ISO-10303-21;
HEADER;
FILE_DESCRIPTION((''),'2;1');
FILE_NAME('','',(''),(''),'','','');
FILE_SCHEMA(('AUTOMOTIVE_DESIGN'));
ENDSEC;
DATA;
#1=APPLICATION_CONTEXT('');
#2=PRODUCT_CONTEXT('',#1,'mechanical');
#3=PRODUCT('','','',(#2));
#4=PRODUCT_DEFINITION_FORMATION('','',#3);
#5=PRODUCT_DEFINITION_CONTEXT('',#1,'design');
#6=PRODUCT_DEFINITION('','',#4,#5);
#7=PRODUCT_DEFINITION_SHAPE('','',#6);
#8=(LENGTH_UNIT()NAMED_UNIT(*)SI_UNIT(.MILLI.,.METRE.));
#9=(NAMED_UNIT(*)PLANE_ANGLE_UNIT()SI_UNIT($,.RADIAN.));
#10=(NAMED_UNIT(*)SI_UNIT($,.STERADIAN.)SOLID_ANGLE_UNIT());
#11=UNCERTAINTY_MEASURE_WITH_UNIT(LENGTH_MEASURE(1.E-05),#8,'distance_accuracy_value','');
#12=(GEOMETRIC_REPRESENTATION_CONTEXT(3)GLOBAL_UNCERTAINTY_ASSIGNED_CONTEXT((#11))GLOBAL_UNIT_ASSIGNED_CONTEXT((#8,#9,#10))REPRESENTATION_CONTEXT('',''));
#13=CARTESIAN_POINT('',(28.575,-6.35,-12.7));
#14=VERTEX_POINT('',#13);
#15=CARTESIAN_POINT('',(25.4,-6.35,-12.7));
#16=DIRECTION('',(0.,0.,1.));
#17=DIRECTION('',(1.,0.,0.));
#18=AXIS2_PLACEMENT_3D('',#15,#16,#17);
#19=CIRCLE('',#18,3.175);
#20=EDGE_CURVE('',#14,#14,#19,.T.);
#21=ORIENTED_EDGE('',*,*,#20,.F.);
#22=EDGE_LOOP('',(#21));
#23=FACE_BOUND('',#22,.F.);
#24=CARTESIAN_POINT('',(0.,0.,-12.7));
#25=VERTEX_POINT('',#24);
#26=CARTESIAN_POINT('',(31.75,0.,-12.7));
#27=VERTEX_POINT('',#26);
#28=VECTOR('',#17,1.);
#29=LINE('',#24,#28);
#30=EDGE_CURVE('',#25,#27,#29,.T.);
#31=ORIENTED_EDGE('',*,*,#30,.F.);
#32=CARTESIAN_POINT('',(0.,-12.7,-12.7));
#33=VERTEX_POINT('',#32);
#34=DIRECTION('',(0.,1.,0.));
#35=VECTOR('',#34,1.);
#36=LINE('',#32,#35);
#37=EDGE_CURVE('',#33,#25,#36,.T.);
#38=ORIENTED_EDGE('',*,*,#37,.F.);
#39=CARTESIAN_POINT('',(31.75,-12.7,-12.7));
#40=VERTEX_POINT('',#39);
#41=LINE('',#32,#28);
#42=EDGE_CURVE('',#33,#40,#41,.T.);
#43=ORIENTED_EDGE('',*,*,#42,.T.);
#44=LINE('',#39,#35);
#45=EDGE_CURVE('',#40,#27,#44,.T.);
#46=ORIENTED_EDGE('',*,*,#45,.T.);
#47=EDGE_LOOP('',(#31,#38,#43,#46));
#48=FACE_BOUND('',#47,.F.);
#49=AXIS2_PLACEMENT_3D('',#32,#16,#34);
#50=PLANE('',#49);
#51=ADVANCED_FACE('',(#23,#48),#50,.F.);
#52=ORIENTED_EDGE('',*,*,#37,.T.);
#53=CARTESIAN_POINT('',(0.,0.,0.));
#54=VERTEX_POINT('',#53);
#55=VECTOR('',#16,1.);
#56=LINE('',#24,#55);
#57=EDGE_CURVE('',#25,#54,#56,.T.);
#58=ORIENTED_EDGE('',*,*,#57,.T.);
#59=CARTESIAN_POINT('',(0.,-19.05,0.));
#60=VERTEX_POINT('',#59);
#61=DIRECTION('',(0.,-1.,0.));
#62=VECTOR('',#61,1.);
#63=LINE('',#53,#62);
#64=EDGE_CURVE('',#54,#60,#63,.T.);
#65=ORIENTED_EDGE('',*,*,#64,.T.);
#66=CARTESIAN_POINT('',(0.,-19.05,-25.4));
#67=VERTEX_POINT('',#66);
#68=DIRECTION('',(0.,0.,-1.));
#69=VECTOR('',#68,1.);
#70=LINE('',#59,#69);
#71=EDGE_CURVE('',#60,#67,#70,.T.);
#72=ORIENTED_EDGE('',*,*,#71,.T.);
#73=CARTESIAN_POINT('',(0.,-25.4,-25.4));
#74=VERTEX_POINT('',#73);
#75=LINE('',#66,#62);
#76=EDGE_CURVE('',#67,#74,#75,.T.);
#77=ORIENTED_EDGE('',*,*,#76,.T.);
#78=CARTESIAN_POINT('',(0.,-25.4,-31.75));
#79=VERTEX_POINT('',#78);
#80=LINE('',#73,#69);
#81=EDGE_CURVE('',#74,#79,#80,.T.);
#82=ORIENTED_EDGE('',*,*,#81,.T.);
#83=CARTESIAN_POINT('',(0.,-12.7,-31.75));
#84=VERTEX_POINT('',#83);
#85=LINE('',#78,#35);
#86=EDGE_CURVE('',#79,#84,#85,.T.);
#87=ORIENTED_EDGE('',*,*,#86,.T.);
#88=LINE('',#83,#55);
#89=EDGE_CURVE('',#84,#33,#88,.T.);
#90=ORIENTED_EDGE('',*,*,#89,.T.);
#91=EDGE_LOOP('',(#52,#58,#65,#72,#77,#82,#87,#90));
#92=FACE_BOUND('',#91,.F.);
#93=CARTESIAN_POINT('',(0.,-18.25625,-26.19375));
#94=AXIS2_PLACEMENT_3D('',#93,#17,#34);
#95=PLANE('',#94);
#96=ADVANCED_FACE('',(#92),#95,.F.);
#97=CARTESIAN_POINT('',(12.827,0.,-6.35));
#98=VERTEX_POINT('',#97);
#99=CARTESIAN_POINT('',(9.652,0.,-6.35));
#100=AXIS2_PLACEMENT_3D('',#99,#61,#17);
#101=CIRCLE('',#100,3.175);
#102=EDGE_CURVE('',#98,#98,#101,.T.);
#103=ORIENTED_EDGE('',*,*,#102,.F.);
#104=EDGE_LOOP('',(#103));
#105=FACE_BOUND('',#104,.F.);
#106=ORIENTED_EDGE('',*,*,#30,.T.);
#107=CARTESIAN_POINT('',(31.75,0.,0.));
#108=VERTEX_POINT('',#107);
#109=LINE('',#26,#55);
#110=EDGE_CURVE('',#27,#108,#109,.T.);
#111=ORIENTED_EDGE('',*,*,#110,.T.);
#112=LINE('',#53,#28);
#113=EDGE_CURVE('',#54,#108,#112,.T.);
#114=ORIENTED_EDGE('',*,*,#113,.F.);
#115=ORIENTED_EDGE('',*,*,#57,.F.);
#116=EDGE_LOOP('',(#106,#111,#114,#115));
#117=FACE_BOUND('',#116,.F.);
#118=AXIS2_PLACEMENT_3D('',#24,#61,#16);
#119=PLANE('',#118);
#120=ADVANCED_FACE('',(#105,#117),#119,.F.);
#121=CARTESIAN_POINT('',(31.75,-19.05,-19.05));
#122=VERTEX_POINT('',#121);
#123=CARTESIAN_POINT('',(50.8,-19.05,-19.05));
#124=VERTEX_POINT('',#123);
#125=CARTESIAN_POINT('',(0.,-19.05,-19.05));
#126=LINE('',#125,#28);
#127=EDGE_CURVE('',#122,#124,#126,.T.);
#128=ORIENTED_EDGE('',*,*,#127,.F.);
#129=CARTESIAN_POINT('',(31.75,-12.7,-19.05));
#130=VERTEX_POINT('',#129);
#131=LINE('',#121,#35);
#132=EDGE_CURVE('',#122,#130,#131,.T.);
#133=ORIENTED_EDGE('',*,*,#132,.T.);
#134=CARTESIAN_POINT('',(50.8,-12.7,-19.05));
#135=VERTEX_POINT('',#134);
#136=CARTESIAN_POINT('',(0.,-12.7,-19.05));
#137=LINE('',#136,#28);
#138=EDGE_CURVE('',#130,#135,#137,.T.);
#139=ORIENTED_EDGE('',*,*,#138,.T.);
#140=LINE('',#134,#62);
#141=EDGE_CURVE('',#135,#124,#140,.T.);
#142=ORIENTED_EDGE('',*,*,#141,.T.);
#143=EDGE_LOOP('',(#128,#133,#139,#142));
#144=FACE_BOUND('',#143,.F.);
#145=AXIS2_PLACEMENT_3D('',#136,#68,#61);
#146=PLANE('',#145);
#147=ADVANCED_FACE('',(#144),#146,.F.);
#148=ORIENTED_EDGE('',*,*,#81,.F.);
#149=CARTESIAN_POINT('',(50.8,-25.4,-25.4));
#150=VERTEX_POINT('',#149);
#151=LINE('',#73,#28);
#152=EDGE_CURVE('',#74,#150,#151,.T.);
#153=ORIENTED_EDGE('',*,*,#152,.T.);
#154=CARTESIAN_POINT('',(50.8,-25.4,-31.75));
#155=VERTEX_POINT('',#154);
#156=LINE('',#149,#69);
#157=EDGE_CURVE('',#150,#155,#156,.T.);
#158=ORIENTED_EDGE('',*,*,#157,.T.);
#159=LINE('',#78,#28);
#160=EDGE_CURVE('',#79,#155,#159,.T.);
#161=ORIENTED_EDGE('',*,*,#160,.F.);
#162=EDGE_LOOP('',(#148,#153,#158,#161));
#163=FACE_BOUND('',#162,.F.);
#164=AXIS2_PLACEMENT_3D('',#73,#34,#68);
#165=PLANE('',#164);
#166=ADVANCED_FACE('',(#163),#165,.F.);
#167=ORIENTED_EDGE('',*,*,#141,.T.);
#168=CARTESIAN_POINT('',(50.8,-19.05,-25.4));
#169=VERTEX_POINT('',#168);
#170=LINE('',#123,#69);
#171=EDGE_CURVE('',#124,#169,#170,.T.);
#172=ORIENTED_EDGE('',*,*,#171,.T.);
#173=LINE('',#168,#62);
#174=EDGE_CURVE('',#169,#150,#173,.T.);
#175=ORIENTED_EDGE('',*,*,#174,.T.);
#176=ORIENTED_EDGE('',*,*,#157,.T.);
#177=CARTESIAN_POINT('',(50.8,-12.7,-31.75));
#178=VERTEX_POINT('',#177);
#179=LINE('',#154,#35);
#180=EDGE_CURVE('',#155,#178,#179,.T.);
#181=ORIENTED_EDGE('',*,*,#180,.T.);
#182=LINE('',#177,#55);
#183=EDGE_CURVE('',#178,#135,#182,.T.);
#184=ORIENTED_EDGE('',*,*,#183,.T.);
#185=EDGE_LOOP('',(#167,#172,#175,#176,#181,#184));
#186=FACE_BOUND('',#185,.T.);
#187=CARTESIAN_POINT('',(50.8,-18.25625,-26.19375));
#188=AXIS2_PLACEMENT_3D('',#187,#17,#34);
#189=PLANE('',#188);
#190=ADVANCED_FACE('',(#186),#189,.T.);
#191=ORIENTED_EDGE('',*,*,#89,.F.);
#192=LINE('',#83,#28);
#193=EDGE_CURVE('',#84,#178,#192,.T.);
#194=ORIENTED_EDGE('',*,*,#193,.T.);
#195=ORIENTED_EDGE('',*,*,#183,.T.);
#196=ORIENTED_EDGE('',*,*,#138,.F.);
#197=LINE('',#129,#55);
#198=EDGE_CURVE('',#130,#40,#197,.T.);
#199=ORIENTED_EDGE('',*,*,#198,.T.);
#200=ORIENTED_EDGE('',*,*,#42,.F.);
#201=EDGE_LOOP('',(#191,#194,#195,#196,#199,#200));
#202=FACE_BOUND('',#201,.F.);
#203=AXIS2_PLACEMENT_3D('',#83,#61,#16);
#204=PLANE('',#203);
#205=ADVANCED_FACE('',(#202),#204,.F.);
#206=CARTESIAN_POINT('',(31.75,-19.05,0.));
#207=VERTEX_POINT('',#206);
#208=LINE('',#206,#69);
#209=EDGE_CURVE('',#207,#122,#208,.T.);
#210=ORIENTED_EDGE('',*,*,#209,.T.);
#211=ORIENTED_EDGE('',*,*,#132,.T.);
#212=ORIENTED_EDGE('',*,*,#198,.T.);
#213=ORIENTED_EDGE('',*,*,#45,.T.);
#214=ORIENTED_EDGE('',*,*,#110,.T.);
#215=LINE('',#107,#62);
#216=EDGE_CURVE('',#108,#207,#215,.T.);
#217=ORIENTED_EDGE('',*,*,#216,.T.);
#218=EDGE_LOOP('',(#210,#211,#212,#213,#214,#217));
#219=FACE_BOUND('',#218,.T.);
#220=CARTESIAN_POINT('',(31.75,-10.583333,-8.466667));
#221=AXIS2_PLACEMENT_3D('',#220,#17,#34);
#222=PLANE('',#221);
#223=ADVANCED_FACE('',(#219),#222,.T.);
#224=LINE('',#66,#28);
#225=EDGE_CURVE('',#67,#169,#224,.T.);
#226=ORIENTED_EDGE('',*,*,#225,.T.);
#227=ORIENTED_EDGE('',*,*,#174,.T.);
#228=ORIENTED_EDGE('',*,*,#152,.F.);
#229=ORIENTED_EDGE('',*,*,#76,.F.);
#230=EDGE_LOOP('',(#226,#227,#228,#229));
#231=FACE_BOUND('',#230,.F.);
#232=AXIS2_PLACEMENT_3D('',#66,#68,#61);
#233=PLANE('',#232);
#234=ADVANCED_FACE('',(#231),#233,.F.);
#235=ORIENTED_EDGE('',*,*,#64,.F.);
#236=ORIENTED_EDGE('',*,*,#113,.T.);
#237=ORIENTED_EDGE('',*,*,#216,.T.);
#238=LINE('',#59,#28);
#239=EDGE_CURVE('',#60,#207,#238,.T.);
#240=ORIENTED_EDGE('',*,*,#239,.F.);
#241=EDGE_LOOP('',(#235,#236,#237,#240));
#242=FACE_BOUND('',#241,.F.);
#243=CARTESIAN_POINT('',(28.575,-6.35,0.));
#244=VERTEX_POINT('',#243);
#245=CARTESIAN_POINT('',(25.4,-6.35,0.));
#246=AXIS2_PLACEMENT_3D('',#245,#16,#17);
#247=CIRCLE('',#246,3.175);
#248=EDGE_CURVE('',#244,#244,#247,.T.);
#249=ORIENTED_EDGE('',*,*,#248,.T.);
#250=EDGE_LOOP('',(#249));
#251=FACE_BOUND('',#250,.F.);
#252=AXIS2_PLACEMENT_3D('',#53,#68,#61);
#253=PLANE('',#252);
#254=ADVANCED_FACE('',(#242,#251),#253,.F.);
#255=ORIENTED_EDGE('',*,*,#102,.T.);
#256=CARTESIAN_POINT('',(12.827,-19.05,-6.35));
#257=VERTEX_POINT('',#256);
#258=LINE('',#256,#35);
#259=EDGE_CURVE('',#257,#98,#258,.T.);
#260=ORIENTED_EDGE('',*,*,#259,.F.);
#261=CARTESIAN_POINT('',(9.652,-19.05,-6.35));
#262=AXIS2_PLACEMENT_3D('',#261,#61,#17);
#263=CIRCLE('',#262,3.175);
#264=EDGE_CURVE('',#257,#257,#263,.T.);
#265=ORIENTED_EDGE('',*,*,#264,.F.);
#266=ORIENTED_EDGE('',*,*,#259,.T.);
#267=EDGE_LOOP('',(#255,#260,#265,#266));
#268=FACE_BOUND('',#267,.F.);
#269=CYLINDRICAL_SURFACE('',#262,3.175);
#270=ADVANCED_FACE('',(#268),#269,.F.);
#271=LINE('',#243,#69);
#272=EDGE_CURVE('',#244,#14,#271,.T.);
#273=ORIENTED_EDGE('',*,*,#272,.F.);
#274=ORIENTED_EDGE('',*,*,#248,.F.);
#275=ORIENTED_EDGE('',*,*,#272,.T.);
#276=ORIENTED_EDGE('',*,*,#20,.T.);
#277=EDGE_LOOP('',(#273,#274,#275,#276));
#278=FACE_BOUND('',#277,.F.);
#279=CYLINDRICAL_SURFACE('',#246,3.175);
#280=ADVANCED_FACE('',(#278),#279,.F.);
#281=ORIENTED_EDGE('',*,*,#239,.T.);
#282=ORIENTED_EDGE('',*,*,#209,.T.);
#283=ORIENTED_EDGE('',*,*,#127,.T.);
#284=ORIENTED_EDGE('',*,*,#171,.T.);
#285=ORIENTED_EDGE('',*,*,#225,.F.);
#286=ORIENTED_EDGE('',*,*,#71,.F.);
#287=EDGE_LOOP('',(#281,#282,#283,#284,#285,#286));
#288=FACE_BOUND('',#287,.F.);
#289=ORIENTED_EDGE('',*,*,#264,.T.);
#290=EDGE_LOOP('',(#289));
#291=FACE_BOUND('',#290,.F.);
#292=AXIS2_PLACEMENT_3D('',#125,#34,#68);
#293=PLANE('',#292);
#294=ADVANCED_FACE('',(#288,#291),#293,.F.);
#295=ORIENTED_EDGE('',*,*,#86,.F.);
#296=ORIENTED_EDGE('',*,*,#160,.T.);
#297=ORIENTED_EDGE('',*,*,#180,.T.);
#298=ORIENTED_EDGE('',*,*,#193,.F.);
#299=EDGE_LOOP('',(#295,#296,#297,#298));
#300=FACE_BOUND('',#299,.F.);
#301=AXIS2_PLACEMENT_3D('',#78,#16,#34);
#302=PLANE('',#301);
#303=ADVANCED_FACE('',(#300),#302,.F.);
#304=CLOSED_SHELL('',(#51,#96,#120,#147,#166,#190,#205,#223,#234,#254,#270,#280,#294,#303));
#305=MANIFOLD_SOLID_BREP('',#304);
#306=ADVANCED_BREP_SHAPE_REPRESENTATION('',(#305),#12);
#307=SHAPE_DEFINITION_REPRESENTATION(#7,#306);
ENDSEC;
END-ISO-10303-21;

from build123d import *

# Parameters (mm, degrees)
F1_DEPTH = 31.75
F2_DEPTH = 50.8
F3_R     = 3.175
F4_DEPTH = 19.051
F5_R     = 3.175
F6_DEPTH = 31.751


with BuildPart() as f1:
    # F0 (on Right) → F1 (new body)
    with BuildSketch(Plane.YZ):
        Polygon((0, -12.7), (0, 0), (-19.05, 0), (-19.05, -19.05), (-12.7, -19.05), (-12.7, -12.7), align=None)
    extrude(amount=F1_DEPTH)

    # F0 (on Right) → F2 (join)
    with BuildSketch(Plane.YZ):
        Polygon((-12.7, -19.05), (-19.05, -19.05), (-19.05, -25.4), (-25.4, -25.4), (-25.4, -31.75), (-12.7, -31.75), align=None)
    extrude(amount=F2_DEPTH)

    # F3 (on face) → F4 (cut, through all)
    with BuildSketch(Plane.XZ.offset(19.05)):
        with Locations((9.652, -6.35)):
            Circle(F3_R)
    extrude(amount=-F4_DEPTH, mode=Mode.SUBTRACT)

    # F5 (on face) → F6 (cut, through all)
    with BuildSketch(Plane.XY):
        with Locations((25.4, -6.35)):
            Circle(F5_R)
    extrude(amount=-F6_DEPTH, mode=Mode.SUBTRACT)


solid = f1.part
